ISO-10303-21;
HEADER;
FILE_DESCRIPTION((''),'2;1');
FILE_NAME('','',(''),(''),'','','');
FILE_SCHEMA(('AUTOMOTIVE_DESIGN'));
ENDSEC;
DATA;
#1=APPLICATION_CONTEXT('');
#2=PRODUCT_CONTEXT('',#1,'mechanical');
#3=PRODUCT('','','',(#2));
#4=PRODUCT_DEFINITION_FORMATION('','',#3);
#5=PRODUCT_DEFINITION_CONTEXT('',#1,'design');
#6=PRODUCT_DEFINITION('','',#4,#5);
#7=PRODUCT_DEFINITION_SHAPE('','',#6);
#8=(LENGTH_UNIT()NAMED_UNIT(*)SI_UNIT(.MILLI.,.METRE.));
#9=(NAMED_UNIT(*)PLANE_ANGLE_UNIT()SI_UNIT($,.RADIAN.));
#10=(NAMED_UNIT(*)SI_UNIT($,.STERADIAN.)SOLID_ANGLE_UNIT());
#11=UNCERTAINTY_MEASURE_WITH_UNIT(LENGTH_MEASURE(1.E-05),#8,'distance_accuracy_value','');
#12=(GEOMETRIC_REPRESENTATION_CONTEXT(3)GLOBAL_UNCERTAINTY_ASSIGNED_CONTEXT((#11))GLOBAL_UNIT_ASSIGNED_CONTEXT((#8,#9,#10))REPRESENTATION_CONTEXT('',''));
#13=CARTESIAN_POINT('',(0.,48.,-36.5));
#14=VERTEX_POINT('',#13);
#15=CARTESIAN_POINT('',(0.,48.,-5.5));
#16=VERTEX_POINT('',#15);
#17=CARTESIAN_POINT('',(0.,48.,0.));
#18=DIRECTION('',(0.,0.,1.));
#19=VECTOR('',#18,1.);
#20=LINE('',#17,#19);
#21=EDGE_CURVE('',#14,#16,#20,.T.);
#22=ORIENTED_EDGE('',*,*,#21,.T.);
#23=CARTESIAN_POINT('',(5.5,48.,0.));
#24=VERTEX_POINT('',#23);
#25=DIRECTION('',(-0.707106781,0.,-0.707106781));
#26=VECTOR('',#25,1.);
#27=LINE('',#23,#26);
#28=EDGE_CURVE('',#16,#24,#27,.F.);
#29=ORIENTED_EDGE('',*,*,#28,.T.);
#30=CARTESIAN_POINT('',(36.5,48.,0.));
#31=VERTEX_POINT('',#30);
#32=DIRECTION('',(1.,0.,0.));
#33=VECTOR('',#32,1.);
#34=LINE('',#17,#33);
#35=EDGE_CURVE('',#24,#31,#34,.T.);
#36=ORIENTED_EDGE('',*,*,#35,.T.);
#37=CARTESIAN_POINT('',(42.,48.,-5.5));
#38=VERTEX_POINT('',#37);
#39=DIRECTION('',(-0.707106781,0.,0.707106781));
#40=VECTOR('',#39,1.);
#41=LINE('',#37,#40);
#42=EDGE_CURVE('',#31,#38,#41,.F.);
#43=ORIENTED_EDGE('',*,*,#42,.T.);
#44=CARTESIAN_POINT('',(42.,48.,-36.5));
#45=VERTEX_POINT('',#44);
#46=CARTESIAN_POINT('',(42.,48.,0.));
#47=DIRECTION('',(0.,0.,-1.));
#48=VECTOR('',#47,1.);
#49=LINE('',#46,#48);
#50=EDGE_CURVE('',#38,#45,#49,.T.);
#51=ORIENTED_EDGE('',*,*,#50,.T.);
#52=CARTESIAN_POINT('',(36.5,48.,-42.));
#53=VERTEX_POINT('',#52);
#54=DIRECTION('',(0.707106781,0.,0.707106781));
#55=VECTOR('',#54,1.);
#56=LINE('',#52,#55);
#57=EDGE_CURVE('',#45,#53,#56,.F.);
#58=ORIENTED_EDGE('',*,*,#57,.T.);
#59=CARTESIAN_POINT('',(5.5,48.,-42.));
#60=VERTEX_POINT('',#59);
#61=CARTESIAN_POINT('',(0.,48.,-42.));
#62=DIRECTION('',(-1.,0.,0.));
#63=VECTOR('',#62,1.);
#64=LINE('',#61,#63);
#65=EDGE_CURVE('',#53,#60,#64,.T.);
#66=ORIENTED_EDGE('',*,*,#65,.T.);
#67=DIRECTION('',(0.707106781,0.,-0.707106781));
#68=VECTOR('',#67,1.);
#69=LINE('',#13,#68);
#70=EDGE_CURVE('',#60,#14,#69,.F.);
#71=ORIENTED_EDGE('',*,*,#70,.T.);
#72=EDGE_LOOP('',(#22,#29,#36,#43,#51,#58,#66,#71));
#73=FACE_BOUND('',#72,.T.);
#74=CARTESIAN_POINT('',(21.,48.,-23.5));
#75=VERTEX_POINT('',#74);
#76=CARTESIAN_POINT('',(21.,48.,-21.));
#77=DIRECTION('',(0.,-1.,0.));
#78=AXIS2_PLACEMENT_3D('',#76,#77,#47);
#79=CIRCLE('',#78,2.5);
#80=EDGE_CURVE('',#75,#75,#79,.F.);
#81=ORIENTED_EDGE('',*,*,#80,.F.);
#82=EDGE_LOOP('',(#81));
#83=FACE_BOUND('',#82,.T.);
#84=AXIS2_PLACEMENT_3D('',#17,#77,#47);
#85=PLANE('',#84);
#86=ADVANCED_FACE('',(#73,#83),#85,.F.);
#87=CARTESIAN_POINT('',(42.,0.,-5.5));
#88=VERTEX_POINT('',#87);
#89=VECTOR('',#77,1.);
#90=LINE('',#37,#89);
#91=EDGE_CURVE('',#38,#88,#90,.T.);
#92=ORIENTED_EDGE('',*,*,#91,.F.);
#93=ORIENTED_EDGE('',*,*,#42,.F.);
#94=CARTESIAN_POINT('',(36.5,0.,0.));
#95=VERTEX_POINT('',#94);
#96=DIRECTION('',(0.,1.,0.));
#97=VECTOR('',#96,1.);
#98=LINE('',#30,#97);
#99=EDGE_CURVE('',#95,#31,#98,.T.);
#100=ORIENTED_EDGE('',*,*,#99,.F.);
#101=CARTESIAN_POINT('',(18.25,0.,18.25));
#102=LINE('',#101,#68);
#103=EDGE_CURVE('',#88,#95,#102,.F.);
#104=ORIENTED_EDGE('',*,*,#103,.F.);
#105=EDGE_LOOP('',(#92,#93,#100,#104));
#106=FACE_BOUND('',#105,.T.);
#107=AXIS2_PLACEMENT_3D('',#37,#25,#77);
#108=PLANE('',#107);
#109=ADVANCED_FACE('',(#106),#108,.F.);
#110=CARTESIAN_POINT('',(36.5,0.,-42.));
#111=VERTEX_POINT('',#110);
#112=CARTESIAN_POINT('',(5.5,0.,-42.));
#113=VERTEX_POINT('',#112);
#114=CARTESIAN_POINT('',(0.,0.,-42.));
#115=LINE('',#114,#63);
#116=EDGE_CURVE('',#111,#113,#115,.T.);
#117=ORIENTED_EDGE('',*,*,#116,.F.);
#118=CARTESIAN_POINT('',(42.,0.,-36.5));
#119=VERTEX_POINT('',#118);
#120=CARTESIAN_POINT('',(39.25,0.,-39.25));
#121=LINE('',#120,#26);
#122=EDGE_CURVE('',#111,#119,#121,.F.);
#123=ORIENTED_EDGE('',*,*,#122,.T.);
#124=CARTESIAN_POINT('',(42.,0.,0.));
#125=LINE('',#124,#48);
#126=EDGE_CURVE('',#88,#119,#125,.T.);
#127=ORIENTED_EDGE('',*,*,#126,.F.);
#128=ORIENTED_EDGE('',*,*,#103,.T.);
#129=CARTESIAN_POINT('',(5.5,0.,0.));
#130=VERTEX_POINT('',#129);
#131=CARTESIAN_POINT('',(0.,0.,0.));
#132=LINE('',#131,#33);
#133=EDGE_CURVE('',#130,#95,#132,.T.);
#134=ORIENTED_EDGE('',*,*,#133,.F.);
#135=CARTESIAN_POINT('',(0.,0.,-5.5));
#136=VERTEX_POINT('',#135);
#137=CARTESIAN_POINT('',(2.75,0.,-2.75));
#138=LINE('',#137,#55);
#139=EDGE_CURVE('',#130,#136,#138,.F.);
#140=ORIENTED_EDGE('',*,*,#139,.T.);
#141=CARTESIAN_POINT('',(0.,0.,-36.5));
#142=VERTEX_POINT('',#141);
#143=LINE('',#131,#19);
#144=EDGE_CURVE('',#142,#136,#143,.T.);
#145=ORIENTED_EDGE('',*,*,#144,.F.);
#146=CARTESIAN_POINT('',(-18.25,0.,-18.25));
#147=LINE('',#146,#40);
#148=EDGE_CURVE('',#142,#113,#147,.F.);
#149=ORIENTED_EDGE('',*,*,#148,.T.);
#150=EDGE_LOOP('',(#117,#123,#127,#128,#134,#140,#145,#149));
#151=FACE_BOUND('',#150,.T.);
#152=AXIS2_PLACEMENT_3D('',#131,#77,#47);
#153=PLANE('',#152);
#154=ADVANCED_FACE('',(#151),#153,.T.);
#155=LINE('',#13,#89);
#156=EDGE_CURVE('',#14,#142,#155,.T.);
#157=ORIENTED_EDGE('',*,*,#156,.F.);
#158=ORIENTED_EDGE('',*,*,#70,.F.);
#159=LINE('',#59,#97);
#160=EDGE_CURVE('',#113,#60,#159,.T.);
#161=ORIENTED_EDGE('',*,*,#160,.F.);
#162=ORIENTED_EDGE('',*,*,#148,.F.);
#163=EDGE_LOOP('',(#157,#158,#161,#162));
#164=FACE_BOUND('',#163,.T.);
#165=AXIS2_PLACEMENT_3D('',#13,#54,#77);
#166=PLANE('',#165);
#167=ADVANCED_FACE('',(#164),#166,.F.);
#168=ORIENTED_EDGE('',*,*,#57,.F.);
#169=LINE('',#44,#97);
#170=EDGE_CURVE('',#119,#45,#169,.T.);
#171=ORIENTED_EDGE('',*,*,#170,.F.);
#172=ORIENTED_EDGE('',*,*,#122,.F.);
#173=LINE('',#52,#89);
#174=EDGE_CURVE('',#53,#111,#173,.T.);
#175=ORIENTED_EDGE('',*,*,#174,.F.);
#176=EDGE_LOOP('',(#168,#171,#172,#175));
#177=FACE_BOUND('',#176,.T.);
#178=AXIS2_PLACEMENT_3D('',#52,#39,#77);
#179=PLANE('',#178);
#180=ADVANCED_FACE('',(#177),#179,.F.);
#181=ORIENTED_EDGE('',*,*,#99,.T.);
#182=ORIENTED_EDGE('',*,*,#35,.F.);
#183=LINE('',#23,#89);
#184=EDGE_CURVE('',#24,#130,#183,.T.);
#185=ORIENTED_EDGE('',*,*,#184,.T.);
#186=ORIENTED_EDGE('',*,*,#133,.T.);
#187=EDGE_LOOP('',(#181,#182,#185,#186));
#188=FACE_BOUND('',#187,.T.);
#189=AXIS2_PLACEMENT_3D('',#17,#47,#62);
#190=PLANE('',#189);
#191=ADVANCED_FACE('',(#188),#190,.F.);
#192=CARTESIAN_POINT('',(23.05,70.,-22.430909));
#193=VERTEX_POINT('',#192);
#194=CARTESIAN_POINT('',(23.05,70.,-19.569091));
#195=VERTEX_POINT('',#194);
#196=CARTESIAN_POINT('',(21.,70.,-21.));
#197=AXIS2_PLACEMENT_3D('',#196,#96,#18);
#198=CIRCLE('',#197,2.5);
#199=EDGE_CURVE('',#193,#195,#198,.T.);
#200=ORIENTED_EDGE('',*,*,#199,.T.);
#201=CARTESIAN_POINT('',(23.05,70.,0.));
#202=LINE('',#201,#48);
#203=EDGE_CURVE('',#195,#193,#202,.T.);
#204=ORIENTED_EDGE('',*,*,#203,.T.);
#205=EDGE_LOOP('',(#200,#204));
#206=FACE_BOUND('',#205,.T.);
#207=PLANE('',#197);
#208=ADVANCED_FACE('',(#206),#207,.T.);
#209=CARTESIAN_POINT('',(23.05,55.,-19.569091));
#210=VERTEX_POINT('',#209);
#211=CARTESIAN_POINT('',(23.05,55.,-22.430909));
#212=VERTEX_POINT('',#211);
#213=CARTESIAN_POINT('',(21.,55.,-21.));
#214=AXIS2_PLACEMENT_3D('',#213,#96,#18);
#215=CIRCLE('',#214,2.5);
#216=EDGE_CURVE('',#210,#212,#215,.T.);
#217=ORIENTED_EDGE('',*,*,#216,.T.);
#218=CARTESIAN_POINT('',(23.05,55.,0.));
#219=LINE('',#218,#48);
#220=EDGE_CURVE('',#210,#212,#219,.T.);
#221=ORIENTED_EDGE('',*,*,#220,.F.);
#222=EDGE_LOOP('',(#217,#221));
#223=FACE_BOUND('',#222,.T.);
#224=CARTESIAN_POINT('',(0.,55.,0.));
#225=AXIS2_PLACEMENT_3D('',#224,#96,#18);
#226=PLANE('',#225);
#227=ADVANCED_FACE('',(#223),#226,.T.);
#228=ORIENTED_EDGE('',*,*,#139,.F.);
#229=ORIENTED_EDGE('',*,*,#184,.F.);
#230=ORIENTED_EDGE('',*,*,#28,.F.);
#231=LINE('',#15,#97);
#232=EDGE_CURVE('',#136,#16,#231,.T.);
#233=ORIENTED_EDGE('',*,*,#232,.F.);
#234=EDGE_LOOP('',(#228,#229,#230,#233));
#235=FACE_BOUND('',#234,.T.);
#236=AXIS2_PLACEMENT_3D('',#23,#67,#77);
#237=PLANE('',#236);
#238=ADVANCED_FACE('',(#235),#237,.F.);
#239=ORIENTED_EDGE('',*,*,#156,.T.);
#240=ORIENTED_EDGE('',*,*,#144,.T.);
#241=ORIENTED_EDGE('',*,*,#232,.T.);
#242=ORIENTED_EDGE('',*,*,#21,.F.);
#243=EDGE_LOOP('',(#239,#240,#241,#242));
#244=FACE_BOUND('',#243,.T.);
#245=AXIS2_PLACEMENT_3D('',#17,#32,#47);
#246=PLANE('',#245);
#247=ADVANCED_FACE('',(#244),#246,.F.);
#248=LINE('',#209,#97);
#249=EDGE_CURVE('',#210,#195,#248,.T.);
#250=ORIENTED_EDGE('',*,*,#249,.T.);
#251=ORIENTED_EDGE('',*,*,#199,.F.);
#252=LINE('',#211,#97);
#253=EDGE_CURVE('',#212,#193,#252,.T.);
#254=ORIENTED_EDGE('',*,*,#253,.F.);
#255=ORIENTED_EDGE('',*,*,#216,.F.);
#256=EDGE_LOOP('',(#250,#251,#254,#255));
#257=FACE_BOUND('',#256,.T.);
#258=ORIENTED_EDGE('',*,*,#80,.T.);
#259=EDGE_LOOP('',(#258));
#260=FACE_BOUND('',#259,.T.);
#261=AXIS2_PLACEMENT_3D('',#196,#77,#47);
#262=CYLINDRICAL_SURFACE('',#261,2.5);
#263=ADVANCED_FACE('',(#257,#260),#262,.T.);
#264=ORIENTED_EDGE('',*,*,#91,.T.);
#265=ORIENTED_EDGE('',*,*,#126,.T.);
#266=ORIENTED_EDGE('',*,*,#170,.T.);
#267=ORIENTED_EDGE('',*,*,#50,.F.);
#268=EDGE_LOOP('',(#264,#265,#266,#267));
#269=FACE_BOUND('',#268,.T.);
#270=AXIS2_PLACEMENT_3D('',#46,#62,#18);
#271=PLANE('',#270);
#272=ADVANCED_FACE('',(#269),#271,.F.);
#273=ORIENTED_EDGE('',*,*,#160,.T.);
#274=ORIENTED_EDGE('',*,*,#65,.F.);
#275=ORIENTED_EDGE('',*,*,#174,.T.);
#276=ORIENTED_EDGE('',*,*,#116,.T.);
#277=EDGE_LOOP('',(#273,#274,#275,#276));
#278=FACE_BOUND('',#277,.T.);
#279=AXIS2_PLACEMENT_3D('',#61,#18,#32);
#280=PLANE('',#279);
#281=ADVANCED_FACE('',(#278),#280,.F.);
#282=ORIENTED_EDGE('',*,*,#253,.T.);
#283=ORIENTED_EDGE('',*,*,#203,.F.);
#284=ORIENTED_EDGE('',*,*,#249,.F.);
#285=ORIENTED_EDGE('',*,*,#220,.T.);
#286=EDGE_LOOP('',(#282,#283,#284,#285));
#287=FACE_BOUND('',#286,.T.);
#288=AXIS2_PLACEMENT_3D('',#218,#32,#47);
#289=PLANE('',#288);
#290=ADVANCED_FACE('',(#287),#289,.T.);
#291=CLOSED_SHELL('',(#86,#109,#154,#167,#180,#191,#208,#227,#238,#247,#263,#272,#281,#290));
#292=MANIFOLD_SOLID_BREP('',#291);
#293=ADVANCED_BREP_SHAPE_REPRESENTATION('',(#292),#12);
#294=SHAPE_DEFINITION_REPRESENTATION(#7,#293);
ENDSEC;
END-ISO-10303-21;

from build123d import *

# Parameters (mm, degrees)
SKETCH1_W           = 42
SKETCH1_H           = 42
BODY_DEPTH          = 48
CHAMFER1_SIZE       = 5.5
SKETCH2_R           = 2.5
SHAFT_DEPTH         = 22
SHAFTORIENTER_START = -15
SHAFTORIENTER_DEPTH = 15


with BuildPart() as part:
    # Sketch1 → Body (new body)
    with BuildSketch(Plane(origin=(0, 0, 0), x_dir=(1, 0, 0), z_dir=(0, 1, 0))):
        with Locations((21, 21)):
            Rectangle(SKETCH1_W, SKETCH1_H)
    extrude(amount=BODY_DEPTH)

    # Chamfer1
    chamfer1_edges = [part.edges().sort_by_distance(p)[0] for p in [
        (0, 24, -42),
        (42, 24, -42),
        (42, 24, 0),
        (0, 24, 0),
    ]]
    chamfer(chamfer1_edges, length=CHAMFER1_SIZE)

    # Sketch2 → Shaft (add)
    with BuildSketch(Plane(origin=(0, 48, 0), x_dir=(1, 0, 0), z_dir=(0, 1, 0))):
        with Locations(Location((21, 21, 0), (0, 0, 90))):
            Circle(SKETCH2_R)
    extrude(amount=SHAFT_DEPTH)

    # Sketch3 → ShaftOrienter (cut)
    with BuildSketch(Plane(origin=(0, 70, 0), x_dir=(1, 0, 0), z_dir=(0, 1, 0)).offset(SHAFTORIENTER_START)):
        with BuildLine():
            Line((23.05, 22.430908802), (23.05, 19.569091198))
            ThreePointArc((23.05, 19.569091198), (23.384848004, 20.25), (23.5, 21))
            ThreePointArc((23.5, 21), (23.384848004, 21.75), (23.05, 22.430908802))
        make_face()
    extrude(amount=SHAFTORIENTER_DEPTH, mode=Mode.SUBTRACT)


solid = part.part
